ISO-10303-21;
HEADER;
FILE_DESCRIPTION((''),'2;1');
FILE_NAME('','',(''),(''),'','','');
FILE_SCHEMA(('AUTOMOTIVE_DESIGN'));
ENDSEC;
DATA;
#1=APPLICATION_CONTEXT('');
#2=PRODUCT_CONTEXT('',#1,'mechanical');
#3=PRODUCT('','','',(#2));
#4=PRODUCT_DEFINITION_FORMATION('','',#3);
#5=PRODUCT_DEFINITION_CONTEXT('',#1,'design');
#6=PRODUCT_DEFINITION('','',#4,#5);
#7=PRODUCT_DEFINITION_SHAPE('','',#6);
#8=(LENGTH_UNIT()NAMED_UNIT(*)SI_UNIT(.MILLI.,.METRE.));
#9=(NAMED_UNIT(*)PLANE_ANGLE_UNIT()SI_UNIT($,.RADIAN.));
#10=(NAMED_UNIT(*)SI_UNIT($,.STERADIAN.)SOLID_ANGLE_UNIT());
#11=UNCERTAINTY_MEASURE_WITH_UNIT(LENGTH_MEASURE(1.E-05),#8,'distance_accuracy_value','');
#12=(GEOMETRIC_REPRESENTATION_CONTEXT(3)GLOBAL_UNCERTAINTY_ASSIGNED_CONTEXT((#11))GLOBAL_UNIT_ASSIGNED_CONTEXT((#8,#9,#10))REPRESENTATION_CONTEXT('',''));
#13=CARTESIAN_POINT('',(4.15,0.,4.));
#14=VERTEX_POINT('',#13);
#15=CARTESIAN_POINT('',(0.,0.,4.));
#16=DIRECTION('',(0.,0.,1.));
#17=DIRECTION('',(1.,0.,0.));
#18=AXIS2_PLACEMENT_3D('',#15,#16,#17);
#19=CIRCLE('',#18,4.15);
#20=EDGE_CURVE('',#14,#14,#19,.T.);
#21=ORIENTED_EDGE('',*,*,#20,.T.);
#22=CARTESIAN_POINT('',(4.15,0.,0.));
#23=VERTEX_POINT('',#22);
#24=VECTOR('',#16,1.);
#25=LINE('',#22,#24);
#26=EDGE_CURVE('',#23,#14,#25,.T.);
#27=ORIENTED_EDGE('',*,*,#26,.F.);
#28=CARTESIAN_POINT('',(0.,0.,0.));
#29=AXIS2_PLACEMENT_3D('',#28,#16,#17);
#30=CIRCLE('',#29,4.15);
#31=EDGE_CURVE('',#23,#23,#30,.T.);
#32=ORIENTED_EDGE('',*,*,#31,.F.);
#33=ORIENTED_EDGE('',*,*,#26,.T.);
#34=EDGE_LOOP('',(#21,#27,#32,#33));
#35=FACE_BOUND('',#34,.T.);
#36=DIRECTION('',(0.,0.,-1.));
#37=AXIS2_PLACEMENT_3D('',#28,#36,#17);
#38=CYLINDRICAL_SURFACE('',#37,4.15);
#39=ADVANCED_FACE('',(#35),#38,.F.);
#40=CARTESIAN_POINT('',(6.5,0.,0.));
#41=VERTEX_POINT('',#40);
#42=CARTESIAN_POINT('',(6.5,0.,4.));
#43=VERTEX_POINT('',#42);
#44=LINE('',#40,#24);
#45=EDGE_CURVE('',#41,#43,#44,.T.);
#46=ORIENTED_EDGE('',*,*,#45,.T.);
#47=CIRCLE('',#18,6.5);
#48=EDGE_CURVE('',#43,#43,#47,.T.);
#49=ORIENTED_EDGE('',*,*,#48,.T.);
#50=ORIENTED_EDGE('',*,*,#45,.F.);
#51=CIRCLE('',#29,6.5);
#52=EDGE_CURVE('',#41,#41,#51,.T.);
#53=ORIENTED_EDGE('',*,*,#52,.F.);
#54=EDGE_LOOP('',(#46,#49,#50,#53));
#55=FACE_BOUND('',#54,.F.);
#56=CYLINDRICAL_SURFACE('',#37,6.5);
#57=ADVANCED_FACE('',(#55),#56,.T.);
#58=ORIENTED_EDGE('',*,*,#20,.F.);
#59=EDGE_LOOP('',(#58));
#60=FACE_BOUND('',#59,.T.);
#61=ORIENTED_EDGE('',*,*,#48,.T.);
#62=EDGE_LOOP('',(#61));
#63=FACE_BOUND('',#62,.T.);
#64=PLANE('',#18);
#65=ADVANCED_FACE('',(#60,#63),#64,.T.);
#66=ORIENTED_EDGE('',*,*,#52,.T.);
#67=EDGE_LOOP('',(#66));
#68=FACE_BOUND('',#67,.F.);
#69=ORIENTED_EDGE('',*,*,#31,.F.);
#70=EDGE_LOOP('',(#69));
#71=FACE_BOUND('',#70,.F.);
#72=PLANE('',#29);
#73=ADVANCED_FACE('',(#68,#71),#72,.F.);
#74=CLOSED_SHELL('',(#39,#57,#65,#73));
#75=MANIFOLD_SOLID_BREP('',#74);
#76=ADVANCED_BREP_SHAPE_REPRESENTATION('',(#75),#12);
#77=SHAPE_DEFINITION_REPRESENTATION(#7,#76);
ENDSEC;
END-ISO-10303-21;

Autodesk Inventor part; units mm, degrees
ref_plane "YZ Plane" through (0, 0, 0) normal (1, 0, 0) x (0, 1, 0)
ref_plane "XZ Plane" through (0, 0, 0) normal (0, 1, 0) x (-1, 0, 0)
ref_plane "XY Plane" through (0, 0, 0) normal (0, 0, 1) x (1, 0, 0)
sketch "Szkic2" plane through (0, 0, 0) normal (0, 0, 1) x (1, 0, 0)
  circle A0 centre (0, 0) radius 6.5
  circle A1 centre (0, 0) radius 4.15
  dimension "d4" = 13
  dimension "d5" = 8.3
extrude "Wyciągnięcie proste2" add sketch "Szkic2" along normal blind 4
properties part number "3DP_ABS_Hobbed_Bolt_Spacer"
